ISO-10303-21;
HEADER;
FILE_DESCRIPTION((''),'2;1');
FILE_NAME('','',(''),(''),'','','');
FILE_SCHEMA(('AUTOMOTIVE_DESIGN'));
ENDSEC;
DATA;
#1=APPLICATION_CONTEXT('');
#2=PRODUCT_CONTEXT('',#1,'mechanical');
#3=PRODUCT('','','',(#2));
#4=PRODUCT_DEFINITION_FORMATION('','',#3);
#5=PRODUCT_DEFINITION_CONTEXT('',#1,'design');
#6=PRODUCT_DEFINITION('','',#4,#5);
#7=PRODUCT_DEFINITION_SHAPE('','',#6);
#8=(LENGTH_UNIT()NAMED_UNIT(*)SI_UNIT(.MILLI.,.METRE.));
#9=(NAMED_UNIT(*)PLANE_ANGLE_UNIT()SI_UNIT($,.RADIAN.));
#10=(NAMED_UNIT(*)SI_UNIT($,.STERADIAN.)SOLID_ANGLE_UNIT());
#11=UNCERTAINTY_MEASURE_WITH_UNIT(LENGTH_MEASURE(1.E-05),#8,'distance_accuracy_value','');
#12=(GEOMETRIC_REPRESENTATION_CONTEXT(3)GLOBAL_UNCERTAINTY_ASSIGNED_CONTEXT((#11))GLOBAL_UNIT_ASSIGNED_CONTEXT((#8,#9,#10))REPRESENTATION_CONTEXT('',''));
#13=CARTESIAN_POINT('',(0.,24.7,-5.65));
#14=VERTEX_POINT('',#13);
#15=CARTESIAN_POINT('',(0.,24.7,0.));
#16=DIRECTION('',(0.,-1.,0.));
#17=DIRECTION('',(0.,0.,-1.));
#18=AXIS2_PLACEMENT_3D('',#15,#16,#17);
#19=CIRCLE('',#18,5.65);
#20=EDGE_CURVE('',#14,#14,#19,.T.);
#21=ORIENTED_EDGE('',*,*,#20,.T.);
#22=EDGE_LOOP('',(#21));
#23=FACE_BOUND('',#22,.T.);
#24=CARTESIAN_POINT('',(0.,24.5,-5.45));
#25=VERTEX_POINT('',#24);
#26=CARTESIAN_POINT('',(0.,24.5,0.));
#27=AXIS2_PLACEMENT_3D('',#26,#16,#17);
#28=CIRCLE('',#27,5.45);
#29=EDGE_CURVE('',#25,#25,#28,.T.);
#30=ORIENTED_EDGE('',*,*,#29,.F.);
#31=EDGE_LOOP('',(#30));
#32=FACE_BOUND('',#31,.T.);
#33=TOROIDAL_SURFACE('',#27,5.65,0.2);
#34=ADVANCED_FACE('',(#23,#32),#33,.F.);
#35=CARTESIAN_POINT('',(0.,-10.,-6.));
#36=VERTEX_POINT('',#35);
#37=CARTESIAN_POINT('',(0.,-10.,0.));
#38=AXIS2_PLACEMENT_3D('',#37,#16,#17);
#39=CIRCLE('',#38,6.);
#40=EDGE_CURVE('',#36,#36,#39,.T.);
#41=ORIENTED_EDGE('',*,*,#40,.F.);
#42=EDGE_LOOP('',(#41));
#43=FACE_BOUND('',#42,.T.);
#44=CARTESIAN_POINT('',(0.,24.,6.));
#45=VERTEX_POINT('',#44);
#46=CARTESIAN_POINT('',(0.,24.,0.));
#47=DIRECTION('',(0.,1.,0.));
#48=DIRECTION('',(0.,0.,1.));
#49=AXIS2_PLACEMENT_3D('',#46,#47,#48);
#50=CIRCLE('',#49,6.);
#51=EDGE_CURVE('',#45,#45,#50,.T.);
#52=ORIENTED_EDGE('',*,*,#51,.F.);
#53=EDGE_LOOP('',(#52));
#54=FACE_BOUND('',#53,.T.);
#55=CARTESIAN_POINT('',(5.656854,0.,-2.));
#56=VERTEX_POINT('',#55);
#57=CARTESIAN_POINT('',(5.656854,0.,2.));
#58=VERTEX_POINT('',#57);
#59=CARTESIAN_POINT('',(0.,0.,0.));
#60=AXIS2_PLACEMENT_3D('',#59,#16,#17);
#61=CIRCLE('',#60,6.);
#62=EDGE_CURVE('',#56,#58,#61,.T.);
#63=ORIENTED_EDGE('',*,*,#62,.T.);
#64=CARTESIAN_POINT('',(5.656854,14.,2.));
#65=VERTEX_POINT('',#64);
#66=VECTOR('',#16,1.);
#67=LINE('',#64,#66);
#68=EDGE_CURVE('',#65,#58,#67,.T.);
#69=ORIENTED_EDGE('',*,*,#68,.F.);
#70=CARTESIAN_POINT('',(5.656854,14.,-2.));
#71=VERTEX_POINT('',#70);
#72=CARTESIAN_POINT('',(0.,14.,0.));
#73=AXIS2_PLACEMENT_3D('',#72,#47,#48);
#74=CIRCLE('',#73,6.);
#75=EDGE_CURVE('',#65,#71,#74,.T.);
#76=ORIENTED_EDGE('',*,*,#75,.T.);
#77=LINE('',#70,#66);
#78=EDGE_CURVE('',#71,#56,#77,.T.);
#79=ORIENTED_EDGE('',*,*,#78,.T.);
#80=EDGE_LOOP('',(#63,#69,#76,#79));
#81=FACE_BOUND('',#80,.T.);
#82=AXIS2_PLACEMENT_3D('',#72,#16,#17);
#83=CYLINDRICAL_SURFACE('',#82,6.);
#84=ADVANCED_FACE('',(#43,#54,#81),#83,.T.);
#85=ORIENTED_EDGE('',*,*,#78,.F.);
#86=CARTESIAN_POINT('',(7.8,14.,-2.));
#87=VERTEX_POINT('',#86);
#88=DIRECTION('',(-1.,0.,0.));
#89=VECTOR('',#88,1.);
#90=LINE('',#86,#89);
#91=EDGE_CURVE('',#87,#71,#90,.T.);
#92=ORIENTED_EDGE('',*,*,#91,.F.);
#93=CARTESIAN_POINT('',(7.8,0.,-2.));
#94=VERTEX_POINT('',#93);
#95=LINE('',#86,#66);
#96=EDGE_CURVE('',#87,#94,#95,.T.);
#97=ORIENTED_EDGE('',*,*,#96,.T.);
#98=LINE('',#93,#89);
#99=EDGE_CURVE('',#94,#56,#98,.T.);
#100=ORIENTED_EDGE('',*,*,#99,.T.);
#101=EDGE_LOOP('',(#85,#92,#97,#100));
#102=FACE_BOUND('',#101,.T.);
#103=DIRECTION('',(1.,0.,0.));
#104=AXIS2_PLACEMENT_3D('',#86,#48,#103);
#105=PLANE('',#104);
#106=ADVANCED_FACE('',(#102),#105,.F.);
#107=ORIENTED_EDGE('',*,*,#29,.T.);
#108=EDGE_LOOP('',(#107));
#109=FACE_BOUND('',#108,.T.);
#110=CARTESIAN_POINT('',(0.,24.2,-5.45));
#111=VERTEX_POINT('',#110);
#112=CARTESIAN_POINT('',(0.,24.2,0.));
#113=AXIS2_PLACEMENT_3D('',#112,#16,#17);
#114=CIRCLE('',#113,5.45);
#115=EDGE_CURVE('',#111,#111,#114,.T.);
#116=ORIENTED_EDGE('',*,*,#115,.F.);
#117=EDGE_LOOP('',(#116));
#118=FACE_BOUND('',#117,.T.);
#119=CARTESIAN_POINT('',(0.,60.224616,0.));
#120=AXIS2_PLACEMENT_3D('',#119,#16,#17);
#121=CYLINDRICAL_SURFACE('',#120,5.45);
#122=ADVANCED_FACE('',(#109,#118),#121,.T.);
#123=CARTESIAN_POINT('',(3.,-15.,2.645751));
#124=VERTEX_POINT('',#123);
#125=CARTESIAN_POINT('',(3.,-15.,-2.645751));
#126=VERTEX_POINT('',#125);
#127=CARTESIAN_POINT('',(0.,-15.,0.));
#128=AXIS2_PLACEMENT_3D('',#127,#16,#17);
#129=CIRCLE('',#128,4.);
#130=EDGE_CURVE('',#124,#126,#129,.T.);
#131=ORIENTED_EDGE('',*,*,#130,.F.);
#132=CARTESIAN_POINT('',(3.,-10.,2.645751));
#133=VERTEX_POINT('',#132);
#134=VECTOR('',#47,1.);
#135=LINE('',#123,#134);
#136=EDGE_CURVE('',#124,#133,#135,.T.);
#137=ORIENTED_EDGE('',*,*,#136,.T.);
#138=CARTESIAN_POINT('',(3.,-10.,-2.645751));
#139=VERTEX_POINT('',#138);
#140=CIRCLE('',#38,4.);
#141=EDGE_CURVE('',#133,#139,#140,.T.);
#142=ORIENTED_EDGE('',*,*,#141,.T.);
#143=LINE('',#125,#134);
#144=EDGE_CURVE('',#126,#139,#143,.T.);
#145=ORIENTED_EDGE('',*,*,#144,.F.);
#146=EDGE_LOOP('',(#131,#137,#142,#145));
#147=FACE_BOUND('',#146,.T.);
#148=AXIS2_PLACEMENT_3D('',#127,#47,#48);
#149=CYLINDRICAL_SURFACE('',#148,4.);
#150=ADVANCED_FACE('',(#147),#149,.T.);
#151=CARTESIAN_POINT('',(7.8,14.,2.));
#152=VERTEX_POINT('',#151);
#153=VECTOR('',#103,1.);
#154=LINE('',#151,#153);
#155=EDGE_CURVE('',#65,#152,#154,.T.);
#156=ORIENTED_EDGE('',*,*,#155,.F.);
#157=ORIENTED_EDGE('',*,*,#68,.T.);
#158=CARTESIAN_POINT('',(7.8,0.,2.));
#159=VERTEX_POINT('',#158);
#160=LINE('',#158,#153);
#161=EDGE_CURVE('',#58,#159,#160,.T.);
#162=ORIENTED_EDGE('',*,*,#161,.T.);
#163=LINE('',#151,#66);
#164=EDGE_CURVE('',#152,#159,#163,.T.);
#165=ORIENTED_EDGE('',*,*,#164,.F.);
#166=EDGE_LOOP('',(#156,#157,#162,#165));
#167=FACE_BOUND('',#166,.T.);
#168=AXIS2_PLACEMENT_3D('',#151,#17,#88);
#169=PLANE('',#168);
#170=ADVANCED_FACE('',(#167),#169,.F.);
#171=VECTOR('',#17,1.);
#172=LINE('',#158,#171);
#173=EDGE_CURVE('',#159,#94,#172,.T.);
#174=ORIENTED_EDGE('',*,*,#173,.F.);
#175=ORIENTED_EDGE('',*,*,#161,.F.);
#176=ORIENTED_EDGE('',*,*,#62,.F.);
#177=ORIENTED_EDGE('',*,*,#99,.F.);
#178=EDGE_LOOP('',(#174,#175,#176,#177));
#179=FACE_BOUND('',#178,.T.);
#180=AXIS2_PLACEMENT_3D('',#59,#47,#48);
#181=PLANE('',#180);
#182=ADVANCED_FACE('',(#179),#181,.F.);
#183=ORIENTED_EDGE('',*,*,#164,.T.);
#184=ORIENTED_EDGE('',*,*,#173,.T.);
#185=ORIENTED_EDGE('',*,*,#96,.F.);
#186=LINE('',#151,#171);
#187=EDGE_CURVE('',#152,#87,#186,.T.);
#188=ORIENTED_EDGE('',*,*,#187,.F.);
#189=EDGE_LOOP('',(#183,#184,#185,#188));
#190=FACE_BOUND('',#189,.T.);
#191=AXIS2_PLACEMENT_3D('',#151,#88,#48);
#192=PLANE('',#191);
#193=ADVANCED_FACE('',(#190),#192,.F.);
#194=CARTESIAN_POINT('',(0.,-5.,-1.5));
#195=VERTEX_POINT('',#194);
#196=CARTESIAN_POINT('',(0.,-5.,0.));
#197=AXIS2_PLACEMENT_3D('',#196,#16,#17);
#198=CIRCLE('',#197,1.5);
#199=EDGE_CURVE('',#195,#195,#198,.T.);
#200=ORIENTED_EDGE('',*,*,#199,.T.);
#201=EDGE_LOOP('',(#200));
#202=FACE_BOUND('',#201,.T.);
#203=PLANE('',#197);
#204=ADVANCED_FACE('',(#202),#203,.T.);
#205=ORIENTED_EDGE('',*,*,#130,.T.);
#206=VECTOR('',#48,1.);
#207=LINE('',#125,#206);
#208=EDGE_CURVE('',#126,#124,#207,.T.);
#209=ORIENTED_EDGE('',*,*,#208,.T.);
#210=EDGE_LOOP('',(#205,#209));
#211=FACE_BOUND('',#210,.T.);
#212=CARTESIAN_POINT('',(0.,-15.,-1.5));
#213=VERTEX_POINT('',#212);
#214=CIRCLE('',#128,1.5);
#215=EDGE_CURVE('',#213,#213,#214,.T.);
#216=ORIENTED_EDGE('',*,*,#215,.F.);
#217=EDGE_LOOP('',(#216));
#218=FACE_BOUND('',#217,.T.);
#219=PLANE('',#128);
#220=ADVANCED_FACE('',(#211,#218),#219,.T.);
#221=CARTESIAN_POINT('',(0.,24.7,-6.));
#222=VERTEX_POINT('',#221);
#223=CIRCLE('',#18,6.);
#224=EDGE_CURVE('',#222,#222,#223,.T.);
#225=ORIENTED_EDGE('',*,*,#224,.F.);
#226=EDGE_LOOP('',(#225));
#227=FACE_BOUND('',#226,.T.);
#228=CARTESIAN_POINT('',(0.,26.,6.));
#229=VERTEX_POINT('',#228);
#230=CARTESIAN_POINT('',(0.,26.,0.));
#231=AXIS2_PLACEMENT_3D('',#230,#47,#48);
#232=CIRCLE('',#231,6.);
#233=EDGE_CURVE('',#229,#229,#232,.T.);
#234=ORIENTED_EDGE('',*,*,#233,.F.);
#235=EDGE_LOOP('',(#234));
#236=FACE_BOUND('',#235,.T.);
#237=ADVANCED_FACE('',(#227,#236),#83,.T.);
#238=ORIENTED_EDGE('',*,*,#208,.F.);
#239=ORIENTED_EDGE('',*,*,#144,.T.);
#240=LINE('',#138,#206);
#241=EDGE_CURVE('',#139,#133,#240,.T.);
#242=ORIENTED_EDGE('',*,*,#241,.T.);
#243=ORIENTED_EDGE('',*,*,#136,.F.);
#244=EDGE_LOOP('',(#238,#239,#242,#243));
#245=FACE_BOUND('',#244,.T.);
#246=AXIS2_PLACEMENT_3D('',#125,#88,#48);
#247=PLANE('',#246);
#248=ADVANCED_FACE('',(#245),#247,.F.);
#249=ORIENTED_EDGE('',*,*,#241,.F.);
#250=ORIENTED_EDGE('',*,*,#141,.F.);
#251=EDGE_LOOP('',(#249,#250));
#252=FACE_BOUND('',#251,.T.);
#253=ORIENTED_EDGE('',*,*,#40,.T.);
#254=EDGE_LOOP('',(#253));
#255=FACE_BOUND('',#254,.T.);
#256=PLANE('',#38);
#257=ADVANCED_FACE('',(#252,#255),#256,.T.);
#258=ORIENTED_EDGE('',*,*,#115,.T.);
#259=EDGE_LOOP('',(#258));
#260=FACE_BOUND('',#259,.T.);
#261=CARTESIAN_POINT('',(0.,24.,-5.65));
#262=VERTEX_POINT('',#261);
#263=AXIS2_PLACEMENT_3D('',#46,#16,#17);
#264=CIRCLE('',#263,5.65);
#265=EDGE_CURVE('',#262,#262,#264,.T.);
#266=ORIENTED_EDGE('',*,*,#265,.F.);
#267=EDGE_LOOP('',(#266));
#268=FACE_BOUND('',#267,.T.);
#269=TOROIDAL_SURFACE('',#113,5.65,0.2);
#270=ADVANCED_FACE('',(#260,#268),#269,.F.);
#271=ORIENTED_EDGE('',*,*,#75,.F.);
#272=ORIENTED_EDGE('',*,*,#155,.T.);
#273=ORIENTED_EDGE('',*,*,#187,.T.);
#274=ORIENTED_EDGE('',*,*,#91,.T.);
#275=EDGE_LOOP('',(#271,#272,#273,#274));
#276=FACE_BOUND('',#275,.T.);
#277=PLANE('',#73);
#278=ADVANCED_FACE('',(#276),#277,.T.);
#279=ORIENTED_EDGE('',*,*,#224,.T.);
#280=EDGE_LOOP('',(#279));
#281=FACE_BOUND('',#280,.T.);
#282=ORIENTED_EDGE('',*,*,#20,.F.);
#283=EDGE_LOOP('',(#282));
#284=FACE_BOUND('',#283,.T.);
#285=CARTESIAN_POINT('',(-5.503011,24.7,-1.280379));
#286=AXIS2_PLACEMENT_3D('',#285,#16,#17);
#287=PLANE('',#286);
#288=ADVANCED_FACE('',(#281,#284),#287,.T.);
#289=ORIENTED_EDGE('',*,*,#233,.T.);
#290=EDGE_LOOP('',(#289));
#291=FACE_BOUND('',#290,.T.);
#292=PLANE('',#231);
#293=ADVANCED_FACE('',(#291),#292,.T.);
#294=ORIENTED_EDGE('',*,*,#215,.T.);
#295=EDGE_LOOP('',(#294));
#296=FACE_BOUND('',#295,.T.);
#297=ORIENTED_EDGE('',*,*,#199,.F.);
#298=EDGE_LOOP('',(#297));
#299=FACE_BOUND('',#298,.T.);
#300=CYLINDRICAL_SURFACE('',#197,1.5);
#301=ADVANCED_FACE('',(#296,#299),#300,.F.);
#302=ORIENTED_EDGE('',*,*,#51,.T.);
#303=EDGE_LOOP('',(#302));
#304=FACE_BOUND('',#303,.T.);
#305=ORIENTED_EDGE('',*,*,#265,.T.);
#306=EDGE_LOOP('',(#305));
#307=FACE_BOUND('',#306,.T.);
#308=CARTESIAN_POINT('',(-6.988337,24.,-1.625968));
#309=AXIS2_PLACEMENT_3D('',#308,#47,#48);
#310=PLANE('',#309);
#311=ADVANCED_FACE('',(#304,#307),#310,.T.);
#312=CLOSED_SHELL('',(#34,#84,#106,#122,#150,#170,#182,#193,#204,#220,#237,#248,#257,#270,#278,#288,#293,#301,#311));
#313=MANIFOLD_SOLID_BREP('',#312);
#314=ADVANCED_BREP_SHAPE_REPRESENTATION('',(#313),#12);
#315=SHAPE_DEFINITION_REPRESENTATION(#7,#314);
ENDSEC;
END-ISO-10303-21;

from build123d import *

# Parameters (mm, degrees)
BOSS_EXTRUDE1_DEPTH = 14
SKETCH2_R           = 6
BOSS_EXTRUDE2_DEPTH = 12
BOSS_EXTRUDE3_START = 10
SKETCH3_R           = 6
BOSS_EXTRUDE3_DEPTH = 10
SKETCH4_R           = 1.5
CUT_EXTRUDE1_DEPTH  = 5
BOSS_EXTRUDE4_START = 5
SKETCH5_R           = 1.5
BOSS_EXTRUDE4_DEPTH = 5


with BuildPart() as part:
    # Sketch1 → Boss-Extrude1 (new body)
    with BuildSketch(Plane(origin=(0, 0, 0), x_dir=(1, 0, 0), z_dir=(0, 1, 0))):
        with BuildLine():
            Line((7.8, -2), (7.8, 2))
            Line((7.8, 2), (5.656854249, 2))
            ThreePointArc((5.656854249, 2), (-6, 0), (5.656854249, -2))
            Line((5.656854249, -2), (7.8, -2))
        make_face()
    extrude(amount=BOSS_EXTRUDE1_DEPTH)

    # Sketch2 → Boss-Extrude2 (add)
    with BuildSketch(Plane(origin=(0, 14, 0), x_dir=(1, 0, 0), z_dir=(0, 1, 0))):
        with Locations(Location((0, 0, 0), (0, 0, 19.471220634))):
            Circle(SKETCH2_R)
    extrude(amount=BOSS_EXTRUDE2_DEPTH)

    # Sketch3 → Boss-Extrude3 (add)
    with BuildSketch(Plane.XZ.offset(BOSS_EXTRUDE3_START)):
        with Locations(Location((0, 0, 0), (0, 0, 270))):
            Circle(SKETCH3_R)
    extrude(amount=-BOSS_EXTRUDE3_DEPTH)

    # Sketch4 → Cut-Extrude1 (cut)
    with BuildSketch(Plane.XZ.offset(10)):
        with Locations(Location((0, 0, 0), (0, 0, 270))):
            Circle(SKETCH4_R)
    extrude(amount=-CUT_EXTRUDE1_DEPTH, mode=Mode.SUBTRACT)

    # Groove Sketch → Retaining Ring Groove (revolve, cut)
    with BuildSketch(Plane(origin=(1.604252923, 12.182890291, 0.373259529), x_dir=(-0.9343262431877186, 0.2824476966643587, -0.2173885230174828), z_dir=(-0.2266157025474993, 0, 0.9739842521103221)), mode=Mode.PRIVATE) as retaining_ring_groove_sk:
        with BuildLine():
            Line((10.535414006, -9.946396708), (11.998320123, -9.51566397))
            Line((11.998320123, -9.51566397), (11.800606735, -8.84416608))
            Line((11.800606735, -8.84416608), (10.337700618, -9.274898818))
            ThreePointArc((10.337700618, -9.274898818), (10.21858296, -9.371036434), (10.202333617, -9.523244897))
            Line((10.202333617, -9.523244897), (10.287067926, -9.811029707))
            ThreePointArc((10.287067926, -9.811029707), (10.383205542, -9.930147365), (10.535414006, -9.946396708))
        make_face()
    revolve(retaining_ring_groove_sk.sketch.rotate(Axis((0, 60.224615576, 0), (0, -1, 0)), 76.902094509), axis=Axis((0, 60.224615576, 0), (0, -1, 0)), mode=Mode.SUBTRACT)

    # Sketch5 → Boss-Extrude4 (add)
    with BuildSketch(Plane.XZ.offset(10).offset(BOSS_EXTRUDE4_START)):
        with BuildLine():
            Line((3, -2.645751311), (3, 2.645751311))
            ThreePointArc((3, 2.645751311), (-4, 0), (3, -2.645751311))
        make_face()
        with Locations(Location((0, 0, 0), (0, 0, 270))):
            Circle(SKETCH5_R, mode=Mode.SUBTRACT)
    extrude(amount=-BOSS_EXTRUDE4_DEPTH)


solid = part.part
